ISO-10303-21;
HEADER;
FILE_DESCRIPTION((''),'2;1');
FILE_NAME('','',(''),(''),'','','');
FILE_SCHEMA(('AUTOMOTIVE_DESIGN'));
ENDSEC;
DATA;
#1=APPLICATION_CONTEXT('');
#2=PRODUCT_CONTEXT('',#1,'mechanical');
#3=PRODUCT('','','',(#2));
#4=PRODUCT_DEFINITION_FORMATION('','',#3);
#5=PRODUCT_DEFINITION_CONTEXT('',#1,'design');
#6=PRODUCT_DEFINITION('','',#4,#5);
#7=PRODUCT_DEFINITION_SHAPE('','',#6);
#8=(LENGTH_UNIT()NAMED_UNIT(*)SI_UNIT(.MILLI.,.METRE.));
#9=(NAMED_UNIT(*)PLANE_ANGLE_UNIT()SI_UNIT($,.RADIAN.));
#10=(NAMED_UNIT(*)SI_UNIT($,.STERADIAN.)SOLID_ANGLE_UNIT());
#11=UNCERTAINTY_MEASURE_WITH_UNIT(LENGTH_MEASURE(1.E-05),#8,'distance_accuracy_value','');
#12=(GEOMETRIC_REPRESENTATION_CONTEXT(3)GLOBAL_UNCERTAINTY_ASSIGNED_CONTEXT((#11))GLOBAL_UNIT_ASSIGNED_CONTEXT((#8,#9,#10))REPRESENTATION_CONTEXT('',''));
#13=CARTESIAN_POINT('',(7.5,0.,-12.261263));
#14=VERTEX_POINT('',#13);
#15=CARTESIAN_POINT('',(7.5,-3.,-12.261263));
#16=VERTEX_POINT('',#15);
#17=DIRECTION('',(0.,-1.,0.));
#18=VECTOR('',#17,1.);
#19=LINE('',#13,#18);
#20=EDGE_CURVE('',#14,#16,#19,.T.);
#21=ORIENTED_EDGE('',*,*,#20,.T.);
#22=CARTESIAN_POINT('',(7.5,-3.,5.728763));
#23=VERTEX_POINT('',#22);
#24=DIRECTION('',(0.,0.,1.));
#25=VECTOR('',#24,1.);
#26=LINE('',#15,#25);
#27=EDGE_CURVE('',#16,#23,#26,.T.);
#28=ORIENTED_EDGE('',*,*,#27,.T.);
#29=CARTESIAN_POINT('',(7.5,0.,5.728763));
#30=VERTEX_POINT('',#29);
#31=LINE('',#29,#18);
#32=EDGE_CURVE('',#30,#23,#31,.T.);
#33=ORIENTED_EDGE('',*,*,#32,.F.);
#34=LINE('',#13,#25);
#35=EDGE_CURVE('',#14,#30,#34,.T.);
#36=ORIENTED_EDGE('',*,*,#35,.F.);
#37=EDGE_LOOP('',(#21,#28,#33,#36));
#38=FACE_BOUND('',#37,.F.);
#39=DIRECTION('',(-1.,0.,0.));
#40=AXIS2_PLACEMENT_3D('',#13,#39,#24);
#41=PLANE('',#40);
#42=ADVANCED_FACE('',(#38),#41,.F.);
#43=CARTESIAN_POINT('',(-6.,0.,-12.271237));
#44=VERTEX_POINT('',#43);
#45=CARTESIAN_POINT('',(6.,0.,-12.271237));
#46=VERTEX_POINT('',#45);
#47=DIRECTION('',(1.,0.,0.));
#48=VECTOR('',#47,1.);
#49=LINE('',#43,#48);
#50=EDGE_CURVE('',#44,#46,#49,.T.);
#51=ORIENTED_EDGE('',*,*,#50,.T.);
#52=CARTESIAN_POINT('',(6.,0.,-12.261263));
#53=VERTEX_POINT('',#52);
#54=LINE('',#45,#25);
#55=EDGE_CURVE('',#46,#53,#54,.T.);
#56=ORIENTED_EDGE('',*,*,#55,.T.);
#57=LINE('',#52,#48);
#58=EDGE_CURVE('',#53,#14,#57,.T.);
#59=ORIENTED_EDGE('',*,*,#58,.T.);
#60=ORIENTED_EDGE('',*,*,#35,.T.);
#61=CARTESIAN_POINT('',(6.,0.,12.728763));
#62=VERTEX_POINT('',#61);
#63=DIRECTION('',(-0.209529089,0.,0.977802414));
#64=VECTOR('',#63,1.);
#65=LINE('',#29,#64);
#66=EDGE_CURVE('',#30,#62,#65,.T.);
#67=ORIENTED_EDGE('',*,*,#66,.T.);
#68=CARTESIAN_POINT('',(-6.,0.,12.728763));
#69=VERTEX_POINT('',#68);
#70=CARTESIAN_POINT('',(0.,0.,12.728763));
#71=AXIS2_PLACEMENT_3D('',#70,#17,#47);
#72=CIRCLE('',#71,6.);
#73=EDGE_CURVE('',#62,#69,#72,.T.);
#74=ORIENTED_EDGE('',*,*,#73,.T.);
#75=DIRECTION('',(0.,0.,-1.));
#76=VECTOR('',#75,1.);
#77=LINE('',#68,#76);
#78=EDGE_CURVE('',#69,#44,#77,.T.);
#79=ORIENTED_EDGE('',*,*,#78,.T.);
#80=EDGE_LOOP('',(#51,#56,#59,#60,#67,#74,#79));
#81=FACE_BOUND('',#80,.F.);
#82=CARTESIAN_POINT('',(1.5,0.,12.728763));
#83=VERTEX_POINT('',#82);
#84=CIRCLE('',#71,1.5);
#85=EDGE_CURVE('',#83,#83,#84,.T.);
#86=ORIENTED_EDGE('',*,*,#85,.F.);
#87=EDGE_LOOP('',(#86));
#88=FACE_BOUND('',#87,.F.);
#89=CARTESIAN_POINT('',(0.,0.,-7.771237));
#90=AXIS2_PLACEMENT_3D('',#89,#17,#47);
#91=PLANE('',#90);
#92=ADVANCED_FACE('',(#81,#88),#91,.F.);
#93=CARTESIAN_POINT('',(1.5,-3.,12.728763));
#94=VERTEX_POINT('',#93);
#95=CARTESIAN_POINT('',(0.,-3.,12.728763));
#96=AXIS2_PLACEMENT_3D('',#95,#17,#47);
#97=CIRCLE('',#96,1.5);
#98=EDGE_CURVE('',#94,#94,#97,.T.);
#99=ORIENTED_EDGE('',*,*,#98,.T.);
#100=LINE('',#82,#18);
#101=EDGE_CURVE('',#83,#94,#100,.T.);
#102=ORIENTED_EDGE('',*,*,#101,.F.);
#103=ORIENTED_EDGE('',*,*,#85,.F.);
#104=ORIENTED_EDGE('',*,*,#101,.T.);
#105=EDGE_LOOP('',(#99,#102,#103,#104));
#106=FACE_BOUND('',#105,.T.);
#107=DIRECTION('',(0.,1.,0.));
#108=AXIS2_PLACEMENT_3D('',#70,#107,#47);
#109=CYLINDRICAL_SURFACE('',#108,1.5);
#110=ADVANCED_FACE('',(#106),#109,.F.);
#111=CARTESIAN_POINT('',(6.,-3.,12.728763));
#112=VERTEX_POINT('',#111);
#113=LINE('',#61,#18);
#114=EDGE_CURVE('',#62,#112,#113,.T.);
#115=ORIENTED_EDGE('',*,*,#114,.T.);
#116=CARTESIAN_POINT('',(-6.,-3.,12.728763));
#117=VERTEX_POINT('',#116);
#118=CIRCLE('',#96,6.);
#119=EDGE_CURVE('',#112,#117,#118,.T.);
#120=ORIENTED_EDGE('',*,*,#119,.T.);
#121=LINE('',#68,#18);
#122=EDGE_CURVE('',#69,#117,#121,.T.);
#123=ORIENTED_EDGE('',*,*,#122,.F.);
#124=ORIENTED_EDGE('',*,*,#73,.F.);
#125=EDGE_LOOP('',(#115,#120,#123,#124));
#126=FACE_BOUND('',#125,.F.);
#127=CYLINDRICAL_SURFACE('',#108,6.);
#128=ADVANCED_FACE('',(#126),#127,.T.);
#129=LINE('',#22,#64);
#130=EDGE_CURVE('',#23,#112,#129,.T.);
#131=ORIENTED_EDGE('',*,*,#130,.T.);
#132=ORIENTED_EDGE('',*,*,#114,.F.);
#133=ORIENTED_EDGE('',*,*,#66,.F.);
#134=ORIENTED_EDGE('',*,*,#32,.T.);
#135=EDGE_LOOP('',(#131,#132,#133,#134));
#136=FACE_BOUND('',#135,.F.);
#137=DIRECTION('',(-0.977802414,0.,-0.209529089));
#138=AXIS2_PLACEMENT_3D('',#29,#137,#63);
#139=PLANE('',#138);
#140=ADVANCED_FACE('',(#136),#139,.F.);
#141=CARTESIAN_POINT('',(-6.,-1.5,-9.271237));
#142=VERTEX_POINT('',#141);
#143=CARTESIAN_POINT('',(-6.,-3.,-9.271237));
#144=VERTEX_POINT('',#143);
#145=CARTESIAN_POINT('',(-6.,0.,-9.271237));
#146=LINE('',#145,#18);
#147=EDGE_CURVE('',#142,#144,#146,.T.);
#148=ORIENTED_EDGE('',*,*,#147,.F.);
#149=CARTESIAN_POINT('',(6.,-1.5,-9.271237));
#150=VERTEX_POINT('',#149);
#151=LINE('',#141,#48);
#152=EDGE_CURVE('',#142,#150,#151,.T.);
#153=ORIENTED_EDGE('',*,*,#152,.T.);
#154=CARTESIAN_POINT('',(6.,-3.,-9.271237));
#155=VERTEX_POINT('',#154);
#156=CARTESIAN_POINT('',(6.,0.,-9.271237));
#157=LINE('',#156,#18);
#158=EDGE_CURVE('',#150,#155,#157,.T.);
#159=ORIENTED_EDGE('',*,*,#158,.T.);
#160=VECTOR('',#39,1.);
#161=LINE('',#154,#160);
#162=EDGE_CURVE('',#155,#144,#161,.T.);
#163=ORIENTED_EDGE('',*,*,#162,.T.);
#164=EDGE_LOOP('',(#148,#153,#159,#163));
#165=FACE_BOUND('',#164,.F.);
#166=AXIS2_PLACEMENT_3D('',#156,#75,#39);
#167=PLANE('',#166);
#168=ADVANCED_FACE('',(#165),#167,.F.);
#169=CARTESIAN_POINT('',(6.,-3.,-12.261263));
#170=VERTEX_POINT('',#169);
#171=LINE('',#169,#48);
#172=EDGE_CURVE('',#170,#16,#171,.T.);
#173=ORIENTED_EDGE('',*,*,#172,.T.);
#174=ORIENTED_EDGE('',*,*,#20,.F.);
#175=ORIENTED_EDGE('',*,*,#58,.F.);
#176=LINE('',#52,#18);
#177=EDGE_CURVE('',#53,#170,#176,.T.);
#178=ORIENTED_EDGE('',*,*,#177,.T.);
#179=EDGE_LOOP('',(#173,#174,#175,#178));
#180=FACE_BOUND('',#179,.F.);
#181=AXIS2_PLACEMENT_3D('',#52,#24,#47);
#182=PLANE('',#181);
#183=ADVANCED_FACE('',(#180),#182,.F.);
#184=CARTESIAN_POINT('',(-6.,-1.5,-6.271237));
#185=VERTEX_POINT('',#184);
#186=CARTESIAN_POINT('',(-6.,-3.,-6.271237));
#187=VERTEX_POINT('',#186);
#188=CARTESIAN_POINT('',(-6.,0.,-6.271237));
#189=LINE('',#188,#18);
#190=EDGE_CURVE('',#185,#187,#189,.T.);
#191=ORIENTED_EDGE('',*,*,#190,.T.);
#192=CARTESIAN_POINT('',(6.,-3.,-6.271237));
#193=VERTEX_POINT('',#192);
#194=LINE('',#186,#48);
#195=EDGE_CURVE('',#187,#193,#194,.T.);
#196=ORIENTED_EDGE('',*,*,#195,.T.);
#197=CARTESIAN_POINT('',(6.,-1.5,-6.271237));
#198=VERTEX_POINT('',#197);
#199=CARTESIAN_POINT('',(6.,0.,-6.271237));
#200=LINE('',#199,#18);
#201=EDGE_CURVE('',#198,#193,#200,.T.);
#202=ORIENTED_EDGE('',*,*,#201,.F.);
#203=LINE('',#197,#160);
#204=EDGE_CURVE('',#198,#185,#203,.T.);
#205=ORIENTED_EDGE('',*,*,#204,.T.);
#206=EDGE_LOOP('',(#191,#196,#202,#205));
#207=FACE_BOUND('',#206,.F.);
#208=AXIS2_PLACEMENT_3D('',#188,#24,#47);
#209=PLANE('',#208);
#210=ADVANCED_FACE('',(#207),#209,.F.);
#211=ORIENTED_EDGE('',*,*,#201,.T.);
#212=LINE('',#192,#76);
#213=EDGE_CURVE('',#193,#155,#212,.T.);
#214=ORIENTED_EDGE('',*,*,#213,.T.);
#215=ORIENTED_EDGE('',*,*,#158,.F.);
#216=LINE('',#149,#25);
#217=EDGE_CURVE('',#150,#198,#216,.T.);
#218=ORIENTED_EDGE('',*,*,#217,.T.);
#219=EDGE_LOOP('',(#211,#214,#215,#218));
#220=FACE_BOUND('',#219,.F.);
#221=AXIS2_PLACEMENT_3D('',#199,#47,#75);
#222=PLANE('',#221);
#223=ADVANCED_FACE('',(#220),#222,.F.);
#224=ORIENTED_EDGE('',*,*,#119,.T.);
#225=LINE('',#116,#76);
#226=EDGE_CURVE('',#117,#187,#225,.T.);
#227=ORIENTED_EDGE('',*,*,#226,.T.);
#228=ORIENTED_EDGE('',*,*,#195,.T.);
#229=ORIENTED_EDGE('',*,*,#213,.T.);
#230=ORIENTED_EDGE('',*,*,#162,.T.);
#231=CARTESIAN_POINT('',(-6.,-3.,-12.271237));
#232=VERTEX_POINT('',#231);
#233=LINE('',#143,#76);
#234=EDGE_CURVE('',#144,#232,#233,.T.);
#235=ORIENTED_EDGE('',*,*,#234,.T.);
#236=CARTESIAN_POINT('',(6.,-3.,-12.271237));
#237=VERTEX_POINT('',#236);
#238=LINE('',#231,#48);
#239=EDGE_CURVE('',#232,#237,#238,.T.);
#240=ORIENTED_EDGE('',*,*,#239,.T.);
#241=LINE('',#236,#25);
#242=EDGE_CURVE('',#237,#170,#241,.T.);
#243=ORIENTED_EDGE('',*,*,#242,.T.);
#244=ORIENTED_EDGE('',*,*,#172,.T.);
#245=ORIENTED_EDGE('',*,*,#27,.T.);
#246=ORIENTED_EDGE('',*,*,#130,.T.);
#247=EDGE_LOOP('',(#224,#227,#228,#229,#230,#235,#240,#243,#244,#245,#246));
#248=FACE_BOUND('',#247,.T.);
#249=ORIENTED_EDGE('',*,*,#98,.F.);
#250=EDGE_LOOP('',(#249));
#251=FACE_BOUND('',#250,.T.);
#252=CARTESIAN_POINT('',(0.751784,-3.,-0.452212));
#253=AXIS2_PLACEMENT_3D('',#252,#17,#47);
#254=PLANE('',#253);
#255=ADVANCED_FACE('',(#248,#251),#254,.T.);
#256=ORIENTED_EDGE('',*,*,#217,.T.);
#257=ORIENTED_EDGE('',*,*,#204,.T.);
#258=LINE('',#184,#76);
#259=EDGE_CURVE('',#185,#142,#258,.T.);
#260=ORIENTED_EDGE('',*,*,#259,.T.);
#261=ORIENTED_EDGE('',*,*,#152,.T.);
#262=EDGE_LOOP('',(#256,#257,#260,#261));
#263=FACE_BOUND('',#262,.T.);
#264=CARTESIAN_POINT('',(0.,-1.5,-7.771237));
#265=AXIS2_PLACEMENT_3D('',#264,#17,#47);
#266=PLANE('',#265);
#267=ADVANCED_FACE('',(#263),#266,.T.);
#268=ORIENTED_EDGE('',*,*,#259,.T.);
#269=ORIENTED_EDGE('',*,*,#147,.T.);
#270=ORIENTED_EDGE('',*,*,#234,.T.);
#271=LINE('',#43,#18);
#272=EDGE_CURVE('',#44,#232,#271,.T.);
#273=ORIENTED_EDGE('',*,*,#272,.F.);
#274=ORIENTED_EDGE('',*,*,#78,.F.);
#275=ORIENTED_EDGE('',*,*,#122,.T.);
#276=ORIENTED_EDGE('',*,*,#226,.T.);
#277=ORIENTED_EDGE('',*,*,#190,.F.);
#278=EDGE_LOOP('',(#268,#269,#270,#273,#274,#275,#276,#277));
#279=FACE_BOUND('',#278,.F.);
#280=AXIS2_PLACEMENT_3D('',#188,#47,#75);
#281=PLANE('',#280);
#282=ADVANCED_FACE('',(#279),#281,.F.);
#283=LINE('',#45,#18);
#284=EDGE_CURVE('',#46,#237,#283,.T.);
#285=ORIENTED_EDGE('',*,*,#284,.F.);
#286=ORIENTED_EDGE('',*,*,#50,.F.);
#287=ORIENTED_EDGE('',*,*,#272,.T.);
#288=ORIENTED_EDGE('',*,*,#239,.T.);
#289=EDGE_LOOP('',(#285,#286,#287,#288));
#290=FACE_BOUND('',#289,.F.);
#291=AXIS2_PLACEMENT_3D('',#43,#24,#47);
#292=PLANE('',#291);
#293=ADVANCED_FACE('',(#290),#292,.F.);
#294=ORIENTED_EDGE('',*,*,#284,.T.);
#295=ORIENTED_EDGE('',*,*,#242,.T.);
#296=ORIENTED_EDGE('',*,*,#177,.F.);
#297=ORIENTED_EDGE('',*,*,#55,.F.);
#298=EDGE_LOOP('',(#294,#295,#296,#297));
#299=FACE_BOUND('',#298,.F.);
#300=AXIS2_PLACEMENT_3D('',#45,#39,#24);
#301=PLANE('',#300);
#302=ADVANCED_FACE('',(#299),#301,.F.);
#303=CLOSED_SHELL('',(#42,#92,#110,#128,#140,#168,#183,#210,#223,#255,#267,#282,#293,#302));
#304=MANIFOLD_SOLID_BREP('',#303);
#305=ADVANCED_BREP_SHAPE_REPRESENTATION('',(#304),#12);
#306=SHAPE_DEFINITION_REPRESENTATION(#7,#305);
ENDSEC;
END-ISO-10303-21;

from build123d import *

# Parameters (mm, degrees)
F0_R     = 1.5
F1_DEPTH = 3
F2_DEPTH = 1.5


with BuildPart() as f1:
    # F0 (on Front) → F1 (new body)
    with BuildSketch(Plane.XZ):
        with BuildLine():
            Line((-6, 12.7287628129), (-6, 0))
            Line((-6, 0), (-6, -6.2712371871))
            Line((-6, -6.2712371871), (0, -6.2712371871))
            Line((0, -6.2712371871), (6, -6.2712371871))
            Line((6, -6.2712371871), (6, -9.2712371871))
            Line((6, -9.2712371871), (0, -9.2712371871))
            Line((0, -9.2712371871), (-6, -9.2712371871))
            Line((-6, -9.2712371871), (-6, -12.2712371871))
            Line((-6, -12.2712371871), (0, -12.2712371871))
            Line((0, -12.2712371871), (6, -12.2712371871))
            Line((6, -12.2712371871), (6, -12.2612630948))
            Line((6, -12.2612630948), (7.5, -12.2612630948))
            Line((7.5, -12.2612630948), (7.5, -6.2712371871))
            Line((7.5, -6.2712371871), (7.5, 5.7287628129))
            Line((7.5, 5.7287628129), (6, 12.7287628129))
            ThreePointArc((6, 12.7287628129), (0, 18.7287628129), (-6, 12.7287628129))
        make_face()
        with Locations((0, 12.7287628129)):
            Circle(F0_R, mode=Mode.SUBTRACT)
    extrude(amount=F1_DEPTH)

    # F0 (on Front) → F2 (join)
    with BuildSketch(Plane.XZ):
        Polygon((0, -6.2712371871), (-6, -6.2712371871), (-6, -9.2712371871), (0, -9.2712371871), (6, -9.2712371871), (6, -6.2712371871), align=None)
    extrude(amount=F2_DEPTH)


solid = f1.part
